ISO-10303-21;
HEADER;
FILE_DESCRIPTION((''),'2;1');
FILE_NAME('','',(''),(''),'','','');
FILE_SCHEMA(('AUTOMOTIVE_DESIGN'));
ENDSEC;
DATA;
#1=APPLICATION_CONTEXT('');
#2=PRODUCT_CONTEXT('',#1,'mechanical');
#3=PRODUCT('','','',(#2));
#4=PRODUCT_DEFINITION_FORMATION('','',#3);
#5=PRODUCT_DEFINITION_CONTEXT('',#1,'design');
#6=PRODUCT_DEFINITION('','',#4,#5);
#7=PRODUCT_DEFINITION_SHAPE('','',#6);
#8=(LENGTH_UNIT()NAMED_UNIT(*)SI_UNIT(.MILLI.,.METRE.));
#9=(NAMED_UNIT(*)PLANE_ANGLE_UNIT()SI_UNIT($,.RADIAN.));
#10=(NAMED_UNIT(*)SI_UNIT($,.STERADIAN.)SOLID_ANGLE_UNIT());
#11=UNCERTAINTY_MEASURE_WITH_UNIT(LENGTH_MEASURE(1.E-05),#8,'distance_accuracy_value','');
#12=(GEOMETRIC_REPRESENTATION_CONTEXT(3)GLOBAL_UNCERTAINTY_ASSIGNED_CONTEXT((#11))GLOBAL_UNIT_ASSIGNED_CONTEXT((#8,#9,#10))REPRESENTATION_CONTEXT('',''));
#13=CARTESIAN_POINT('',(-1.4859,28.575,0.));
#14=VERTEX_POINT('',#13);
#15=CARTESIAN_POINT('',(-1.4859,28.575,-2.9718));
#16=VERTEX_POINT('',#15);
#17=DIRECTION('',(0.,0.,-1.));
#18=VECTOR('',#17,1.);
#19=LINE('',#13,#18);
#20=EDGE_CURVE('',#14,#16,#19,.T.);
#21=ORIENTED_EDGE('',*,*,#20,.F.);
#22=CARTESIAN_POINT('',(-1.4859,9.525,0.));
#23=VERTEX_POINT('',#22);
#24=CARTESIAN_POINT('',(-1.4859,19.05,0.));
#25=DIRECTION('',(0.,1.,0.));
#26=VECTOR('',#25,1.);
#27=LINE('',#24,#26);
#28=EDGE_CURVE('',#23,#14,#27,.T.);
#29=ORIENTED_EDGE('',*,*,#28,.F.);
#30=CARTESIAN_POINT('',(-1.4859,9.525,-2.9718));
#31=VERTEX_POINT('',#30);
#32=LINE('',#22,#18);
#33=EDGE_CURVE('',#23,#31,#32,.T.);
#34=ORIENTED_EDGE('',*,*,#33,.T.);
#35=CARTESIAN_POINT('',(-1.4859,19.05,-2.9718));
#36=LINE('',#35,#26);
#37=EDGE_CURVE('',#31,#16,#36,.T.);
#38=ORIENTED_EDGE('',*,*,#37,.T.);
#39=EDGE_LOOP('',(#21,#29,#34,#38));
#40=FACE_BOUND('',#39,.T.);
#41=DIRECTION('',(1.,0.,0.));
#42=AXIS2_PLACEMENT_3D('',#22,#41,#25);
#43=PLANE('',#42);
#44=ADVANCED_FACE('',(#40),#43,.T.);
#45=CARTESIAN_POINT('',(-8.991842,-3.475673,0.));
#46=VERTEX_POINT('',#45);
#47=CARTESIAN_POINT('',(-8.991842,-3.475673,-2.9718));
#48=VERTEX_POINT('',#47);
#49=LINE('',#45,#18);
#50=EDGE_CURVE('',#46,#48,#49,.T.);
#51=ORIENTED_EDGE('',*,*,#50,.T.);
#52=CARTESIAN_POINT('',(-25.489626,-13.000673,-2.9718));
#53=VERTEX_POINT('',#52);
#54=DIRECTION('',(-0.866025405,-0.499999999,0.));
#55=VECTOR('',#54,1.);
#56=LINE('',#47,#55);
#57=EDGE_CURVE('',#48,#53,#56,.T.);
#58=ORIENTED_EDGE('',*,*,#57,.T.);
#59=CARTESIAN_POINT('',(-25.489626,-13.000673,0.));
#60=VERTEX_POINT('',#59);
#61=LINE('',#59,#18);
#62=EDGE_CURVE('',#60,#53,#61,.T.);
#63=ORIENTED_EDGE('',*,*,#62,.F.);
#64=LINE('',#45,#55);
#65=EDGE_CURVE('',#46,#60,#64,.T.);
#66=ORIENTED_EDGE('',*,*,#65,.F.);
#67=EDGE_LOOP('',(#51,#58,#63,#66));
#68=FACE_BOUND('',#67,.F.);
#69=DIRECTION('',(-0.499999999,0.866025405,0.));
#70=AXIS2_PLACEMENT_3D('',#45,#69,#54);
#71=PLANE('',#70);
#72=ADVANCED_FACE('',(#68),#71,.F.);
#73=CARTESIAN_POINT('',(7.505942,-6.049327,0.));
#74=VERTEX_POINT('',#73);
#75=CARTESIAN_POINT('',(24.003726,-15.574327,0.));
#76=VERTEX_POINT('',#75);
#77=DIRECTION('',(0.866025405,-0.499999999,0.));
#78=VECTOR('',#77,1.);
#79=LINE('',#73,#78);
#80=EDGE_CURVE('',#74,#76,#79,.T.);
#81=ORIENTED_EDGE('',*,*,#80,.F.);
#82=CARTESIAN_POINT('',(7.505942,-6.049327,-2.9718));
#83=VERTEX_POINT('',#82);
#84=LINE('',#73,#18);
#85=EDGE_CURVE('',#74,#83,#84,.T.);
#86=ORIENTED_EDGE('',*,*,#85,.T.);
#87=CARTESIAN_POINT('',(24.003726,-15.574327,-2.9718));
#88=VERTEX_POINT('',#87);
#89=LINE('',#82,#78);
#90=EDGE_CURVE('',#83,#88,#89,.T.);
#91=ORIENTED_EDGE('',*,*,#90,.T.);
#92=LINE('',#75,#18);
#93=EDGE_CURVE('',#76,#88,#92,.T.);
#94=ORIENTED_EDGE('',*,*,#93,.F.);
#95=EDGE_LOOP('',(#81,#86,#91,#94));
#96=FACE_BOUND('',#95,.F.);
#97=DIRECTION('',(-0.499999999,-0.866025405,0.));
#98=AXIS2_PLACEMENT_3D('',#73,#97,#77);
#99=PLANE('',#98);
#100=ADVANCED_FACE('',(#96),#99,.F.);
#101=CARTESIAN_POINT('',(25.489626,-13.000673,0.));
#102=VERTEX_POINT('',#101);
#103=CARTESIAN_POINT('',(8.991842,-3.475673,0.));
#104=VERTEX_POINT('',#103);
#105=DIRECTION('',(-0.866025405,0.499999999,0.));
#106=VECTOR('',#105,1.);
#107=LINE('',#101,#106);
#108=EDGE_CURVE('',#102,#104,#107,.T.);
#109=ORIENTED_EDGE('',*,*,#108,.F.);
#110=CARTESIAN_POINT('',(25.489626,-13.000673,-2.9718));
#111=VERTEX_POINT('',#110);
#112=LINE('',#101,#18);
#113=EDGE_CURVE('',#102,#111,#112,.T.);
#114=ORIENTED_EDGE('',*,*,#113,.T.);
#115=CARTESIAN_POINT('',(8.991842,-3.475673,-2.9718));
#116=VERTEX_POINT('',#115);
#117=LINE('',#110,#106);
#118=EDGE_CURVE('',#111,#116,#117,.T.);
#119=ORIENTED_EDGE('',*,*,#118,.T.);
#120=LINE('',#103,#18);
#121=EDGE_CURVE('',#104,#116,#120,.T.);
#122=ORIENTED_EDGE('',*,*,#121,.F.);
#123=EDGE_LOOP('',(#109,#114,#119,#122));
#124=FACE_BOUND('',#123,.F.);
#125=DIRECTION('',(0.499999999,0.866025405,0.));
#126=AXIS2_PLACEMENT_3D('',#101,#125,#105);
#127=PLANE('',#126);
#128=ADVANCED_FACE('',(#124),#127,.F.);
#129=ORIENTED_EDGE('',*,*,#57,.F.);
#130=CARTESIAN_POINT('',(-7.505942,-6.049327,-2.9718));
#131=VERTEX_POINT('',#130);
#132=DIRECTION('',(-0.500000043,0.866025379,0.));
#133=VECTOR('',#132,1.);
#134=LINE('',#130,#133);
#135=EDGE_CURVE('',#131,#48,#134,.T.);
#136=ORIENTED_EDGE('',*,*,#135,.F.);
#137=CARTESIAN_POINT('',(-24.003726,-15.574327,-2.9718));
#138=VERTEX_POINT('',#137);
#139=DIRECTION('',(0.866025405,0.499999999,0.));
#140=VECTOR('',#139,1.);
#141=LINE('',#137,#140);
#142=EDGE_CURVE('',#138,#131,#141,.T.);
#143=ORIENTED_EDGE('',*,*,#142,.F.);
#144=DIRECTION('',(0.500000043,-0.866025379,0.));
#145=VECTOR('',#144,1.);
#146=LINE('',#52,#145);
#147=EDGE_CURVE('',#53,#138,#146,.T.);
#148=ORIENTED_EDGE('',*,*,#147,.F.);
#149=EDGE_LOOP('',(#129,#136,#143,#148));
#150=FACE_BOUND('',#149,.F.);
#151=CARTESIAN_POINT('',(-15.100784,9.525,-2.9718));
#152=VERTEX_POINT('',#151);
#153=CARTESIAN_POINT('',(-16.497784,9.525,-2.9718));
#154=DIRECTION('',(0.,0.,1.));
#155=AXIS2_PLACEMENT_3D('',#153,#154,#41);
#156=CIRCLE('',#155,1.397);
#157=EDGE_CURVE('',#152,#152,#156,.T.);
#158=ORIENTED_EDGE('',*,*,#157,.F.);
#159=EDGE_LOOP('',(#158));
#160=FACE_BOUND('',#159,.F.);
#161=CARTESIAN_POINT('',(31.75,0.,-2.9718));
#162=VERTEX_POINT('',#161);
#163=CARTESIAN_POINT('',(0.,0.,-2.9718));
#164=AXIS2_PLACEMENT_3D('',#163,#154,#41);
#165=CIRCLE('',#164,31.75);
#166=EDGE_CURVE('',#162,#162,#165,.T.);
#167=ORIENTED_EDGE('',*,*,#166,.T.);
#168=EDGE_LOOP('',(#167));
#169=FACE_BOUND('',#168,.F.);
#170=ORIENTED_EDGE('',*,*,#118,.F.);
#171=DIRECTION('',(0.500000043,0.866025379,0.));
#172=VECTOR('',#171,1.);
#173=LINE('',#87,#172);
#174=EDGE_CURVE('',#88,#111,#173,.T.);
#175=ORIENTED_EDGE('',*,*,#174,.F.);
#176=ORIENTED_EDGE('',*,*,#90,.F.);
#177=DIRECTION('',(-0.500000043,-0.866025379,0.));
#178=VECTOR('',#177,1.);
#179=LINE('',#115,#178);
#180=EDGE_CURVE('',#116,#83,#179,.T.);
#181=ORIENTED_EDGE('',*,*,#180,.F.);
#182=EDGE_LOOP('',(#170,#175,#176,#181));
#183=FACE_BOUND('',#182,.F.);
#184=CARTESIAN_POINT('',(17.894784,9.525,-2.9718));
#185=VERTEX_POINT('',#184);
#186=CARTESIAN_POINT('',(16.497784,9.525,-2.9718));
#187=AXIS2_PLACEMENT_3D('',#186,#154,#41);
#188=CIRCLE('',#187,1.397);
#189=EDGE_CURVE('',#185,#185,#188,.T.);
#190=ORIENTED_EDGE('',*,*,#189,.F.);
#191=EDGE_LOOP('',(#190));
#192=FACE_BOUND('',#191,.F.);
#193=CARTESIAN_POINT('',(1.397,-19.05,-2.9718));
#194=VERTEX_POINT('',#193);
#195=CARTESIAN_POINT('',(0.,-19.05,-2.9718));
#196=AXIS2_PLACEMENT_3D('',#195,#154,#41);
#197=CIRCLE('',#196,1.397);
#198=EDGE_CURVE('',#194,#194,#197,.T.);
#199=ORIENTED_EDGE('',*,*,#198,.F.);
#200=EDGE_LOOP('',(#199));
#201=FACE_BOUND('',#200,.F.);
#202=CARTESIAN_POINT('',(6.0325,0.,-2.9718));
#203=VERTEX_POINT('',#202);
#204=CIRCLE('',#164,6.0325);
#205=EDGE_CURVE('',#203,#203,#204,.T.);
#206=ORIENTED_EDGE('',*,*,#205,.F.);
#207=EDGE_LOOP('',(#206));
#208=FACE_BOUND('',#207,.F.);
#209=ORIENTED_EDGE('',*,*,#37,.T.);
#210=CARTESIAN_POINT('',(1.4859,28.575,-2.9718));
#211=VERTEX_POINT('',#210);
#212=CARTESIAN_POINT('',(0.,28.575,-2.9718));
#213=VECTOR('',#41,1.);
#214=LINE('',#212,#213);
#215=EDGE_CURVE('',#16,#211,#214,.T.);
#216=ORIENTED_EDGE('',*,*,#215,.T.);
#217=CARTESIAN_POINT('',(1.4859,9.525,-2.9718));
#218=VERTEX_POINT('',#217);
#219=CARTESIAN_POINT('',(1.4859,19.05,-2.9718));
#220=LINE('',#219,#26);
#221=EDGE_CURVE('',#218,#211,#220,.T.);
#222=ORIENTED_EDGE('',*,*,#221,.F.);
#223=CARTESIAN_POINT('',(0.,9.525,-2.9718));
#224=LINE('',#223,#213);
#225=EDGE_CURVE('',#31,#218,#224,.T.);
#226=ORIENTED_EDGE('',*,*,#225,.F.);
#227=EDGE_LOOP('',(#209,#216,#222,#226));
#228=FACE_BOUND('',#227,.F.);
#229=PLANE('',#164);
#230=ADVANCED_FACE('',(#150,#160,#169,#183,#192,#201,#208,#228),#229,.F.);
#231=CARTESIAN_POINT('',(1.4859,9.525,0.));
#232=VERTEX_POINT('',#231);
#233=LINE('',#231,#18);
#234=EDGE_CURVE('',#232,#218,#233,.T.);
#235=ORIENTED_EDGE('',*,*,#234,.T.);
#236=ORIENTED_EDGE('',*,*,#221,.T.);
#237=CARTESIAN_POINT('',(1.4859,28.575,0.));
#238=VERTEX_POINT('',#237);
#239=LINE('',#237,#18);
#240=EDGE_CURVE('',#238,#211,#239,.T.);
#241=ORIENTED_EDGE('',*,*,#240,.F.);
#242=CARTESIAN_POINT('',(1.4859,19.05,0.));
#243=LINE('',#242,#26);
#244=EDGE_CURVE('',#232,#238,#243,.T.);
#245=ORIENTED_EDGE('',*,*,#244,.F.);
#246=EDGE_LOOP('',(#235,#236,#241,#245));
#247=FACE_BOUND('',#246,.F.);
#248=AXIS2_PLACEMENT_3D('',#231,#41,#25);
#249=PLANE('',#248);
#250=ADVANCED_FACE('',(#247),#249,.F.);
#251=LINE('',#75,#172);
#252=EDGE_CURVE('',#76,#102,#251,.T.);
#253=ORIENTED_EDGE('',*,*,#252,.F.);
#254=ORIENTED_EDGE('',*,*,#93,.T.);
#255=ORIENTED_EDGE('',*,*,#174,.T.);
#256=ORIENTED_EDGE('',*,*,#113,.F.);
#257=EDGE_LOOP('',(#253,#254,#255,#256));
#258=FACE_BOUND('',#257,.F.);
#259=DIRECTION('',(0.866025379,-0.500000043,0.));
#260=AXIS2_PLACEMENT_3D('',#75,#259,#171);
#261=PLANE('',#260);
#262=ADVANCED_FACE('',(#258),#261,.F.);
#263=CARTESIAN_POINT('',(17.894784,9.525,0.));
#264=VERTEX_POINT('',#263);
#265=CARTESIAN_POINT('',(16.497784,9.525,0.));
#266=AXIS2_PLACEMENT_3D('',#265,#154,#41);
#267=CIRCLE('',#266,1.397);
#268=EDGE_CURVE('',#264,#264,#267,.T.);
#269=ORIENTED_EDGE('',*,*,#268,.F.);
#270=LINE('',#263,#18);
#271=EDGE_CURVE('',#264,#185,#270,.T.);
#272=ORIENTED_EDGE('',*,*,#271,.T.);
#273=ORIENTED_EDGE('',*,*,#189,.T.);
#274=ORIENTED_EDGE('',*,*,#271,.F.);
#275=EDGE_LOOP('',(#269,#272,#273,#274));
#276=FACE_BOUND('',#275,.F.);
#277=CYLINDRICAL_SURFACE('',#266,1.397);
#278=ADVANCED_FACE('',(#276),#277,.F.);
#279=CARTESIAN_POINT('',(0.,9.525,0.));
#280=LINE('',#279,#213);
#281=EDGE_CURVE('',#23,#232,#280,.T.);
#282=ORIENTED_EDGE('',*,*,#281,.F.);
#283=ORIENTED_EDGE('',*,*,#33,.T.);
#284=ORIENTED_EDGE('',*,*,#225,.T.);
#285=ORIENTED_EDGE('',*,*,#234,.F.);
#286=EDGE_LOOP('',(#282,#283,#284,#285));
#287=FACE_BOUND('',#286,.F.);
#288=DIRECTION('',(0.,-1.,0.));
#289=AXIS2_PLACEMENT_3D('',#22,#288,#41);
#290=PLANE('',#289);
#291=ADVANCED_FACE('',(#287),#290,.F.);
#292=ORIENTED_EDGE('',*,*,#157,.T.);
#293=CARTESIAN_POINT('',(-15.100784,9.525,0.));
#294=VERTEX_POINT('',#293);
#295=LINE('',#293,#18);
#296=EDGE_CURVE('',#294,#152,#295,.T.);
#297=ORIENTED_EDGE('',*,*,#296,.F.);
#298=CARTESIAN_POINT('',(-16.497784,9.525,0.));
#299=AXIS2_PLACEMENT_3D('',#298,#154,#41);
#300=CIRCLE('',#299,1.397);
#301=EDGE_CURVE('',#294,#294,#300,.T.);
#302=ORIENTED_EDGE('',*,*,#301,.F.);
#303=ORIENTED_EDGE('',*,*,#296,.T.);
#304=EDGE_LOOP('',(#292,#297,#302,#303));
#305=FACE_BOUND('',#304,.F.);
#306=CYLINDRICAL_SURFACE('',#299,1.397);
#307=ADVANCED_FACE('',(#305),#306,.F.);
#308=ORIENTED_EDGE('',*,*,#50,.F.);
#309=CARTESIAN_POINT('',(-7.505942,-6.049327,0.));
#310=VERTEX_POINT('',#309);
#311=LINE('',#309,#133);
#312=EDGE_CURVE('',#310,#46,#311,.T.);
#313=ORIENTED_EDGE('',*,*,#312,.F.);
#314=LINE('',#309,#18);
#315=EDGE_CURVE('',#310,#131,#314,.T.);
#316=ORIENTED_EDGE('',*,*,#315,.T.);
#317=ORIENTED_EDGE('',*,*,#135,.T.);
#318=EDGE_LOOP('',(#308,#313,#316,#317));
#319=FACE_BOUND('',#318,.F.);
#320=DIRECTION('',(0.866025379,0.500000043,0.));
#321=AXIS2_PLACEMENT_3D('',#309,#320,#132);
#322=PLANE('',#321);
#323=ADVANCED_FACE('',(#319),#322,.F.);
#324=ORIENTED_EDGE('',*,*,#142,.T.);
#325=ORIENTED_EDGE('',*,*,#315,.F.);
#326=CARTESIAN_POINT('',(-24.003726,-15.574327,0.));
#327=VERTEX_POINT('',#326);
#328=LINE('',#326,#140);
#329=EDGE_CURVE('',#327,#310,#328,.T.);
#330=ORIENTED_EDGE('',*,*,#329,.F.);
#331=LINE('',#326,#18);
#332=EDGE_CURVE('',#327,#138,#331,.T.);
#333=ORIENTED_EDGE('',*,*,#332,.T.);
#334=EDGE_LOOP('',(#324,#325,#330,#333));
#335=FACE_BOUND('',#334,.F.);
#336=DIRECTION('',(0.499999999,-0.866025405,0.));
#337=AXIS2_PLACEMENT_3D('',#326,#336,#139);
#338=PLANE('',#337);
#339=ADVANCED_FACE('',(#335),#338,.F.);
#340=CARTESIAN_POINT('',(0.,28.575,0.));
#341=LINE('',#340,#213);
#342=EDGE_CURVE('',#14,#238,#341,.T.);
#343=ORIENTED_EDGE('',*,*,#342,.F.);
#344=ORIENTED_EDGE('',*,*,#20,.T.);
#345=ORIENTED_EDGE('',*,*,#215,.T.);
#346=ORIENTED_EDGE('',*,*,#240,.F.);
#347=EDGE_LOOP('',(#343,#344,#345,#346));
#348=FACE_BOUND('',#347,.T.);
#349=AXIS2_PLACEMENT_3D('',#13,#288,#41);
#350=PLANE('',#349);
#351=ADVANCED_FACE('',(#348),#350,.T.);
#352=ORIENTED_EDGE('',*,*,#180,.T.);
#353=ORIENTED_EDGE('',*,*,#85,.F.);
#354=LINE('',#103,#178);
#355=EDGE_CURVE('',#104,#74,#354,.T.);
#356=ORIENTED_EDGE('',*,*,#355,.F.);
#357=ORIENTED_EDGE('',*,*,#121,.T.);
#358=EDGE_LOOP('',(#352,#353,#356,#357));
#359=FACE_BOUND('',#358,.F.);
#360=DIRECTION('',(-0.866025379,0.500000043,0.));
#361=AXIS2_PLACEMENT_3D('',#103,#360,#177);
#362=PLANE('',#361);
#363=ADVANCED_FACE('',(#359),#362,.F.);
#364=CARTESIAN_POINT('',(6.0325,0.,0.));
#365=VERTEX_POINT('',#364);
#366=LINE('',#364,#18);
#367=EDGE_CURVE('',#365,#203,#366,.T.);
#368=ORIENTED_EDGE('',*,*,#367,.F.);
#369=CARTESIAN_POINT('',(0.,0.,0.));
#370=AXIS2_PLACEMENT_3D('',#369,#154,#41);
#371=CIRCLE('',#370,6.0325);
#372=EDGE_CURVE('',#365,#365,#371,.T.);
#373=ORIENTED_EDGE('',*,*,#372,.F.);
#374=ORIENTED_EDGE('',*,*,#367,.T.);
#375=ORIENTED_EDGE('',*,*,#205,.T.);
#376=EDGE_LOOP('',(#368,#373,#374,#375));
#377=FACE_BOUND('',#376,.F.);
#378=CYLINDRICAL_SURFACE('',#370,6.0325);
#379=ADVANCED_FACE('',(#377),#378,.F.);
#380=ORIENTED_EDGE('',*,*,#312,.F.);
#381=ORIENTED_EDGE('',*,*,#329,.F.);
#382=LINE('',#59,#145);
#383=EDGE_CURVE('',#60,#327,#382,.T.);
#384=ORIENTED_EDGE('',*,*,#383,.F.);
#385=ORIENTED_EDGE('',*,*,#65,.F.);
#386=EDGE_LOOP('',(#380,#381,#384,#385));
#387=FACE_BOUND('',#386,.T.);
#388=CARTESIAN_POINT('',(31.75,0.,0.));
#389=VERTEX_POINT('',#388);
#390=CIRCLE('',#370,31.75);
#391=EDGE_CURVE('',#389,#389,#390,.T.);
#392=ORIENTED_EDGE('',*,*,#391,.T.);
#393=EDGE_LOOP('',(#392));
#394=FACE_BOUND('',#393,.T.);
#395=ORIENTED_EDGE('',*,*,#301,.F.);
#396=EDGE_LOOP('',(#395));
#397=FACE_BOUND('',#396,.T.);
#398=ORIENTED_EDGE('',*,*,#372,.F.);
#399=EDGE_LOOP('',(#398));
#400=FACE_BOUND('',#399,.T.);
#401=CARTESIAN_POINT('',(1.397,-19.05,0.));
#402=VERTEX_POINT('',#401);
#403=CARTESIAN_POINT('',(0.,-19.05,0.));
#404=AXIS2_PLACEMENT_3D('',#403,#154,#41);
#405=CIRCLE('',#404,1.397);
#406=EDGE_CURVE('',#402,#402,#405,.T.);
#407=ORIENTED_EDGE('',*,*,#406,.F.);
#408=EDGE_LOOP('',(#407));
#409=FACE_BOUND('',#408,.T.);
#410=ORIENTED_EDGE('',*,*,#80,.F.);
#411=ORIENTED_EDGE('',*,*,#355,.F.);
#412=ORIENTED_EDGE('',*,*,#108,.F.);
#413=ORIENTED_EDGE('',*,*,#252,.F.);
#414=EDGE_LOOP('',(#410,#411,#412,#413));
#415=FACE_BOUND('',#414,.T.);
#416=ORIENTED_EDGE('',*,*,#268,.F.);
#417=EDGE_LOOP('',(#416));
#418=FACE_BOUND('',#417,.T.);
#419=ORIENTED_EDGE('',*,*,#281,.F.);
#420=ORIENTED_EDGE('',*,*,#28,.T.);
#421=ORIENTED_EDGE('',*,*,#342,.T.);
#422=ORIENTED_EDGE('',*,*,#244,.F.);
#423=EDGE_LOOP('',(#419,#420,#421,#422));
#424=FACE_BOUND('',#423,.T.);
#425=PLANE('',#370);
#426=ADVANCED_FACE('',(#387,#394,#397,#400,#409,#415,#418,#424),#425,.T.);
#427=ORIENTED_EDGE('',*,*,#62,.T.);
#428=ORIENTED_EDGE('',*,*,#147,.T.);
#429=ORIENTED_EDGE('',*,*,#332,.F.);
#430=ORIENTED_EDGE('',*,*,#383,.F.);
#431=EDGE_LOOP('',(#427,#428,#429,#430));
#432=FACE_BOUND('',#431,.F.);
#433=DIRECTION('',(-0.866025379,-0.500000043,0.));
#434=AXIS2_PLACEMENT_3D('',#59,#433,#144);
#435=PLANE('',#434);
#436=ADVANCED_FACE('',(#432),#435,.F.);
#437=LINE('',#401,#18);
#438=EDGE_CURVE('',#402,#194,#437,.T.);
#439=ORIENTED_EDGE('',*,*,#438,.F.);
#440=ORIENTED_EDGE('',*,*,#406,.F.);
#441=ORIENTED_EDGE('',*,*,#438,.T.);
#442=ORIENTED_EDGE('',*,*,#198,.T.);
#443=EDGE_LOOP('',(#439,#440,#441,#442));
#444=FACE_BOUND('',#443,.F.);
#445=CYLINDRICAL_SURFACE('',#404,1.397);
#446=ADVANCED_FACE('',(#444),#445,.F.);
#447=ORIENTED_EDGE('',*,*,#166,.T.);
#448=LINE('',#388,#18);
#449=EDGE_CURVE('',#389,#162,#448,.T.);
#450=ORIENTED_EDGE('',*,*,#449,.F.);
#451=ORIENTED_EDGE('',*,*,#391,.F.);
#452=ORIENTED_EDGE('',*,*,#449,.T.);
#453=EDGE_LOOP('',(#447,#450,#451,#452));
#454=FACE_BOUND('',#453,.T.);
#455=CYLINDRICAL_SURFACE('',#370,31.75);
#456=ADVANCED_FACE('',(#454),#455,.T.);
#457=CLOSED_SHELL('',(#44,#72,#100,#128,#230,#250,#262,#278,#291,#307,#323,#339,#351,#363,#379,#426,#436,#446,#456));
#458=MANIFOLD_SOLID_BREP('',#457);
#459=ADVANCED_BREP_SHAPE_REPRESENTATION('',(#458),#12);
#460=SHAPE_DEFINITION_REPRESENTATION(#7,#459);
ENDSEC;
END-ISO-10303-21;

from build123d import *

# Parameters (mm, degrees)
F0_R     = 31.75
F1_DEPTH = 2.9718
F2_R     = 6.0325
F2_W     = 2.9718
F2_H     = 19.05
F2_R_2   = 1.397
F3_DEPTH = 2.9718


with BuildPart() as f1:
    # F0 (on Top) → F1 (new body)
    with BuildSketch(Plane.XY):
        Circle(F0_R)
    extrude(amount=-F1_DEPTH)

    # F2 (on face) → F3 (cut, through all)
    with BuildSketch(Plane.XY):
        Circle(F2_R)
        with Locations((0, 19.05)):
            Rectangle(F2_W, F2_H)
        Polygon((-7.505942, -6.049327), (-8.991842, -3.475673), (-25.489626, -13.000673), (-24.003726, -15.574327), align=None)
        Polygon((8.991842, -3.475673), (7.505942, -6.049327), (24.003726, -15.574327), (25.489626, -13.000673), align=None)
        with Locations((-16.497784, 9.525)):
            Circle(F2_R_2)
        with Locations((16.497784, 9.525)):
            Circle(F2_R_2)
        with Locations((0, -19.05)):
            Circle(F2_R_2)
    extrude(amount=-F3_DEPTH, mode=Mode.SUBTRACT)


solid = f1.part
